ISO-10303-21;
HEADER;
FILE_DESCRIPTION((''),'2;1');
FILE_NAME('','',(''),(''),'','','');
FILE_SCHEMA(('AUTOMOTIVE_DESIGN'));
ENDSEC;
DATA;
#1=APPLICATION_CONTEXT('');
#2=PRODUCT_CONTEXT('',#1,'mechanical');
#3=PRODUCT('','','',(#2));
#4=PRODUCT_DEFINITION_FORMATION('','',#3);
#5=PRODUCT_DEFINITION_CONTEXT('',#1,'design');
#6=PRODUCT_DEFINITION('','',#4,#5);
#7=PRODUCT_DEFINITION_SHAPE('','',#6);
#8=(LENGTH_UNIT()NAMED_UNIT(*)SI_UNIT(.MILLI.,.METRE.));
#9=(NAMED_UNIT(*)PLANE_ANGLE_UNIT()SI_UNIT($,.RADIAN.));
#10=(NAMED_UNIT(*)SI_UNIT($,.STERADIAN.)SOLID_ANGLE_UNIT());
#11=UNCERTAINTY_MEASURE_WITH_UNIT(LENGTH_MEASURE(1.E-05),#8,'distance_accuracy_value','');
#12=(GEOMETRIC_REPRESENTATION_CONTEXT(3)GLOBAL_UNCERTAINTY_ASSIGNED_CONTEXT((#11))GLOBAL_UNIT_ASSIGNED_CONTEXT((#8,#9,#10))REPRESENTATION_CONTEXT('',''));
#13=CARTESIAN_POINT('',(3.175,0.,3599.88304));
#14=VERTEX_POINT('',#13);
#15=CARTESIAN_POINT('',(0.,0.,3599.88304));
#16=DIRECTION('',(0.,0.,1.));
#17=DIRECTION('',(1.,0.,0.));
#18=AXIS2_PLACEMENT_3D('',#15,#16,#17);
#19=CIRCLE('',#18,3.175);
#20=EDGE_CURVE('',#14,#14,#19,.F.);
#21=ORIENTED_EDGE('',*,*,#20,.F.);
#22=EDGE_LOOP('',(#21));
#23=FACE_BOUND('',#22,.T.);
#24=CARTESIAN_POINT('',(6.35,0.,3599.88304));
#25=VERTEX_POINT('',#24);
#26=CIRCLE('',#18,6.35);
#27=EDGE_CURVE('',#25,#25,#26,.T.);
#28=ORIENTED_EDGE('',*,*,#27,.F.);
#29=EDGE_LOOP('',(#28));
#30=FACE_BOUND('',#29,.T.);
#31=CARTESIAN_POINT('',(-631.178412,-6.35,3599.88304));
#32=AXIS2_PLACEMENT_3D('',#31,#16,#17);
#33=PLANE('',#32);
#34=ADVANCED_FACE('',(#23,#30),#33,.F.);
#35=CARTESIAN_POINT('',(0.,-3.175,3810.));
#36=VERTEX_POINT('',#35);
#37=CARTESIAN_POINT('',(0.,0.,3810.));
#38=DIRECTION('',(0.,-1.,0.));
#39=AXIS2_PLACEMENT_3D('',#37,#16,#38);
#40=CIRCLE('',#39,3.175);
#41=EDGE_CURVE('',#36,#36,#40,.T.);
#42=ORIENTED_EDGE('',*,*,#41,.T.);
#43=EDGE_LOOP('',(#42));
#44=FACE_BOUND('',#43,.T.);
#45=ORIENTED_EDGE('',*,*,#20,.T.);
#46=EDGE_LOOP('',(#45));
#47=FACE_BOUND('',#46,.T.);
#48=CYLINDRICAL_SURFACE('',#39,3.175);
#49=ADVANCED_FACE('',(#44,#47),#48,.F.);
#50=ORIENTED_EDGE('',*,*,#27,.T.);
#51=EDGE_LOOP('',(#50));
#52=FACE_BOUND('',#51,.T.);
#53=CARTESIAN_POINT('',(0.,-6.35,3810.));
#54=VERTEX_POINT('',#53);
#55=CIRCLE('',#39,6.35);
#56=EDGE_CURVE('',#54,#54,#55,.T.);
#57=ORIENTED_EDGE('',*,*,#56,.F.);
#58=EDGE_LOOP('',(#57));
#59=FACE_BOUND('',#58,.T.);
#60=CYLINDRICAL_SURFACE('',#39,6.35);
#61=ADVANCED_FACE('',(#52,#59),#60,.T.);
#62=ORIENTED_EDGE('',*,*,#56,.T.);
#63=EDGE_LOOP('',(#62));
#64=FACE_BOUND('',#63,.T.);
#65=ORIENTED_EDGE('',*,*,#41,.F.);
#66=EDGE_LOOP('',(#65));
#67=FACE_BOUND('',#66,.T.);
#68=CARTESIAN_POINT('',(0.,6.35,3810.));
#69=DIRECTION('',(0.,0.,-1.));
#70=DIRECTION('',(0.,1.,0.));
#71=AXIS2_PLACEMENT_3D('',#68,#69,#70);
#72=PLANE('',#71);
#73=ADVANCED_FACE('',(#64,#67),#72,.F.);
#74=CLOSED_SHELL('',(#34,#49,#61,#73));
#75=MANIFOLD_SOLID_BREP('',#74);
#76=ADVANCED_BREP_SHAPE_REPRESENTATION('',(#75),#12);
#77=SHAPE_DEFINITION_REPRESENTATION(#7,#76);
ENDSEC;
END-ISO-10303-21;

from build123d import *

# Parameters (mm, degrees)
SKETCH2_W               = 7620
SKETCH2_H               = 3.175
CUT_EXTRUDE1_DEPTH      = 3811.010583319
CUT_EXTRUDE1_DEPTH_BACK = 3811.010583319
SKETCH3_W               = 1124.286546302
SKETCH3_H               = 7825.819750898


with BuildPart() as part:
    # Sketch2 → Revolve1 (revolve)
    with BuildSketch(Plane(origin=(0, 0, 0), x_dir=(0, 0, -1), z_dir=(1, 0, 0)), mode=Mode.PRIVATE) as revolve1_sk:
        with Locations((0, 4.7625)):
            Rectangle(SKETCH2_W, SKETCH2_H)
    revolve(revolve1_sk.sketch.rotate(Axis((0, 0, 3810), (0, 0, -1)), 180), axis=Axis((0, 0, 3810), (0, 0, -1)))

    # Sketch3 → Cut-Extrude1 (cut, two sides: drawn at the far end of the back side and taken through both)
    with BuildSketch(Plane(origin=(0, 0, 0), x_dir=(1, 0, 0), z_dir=(0, 1, 0)).offset(-CUT_EXTRUDE1_DEPTH_BACK)):
        with Locations((-69.035138808, 313.026835869)):
            Rectangle(SKETCH3_W, SKETCH3_H)
    extrude(amount=CUT_EXTRUDE1_DEPTH + CUT_EXTRUDE1_DEPTH_BACK, mode=Mode.SUBTRACT)


solid = part.part
